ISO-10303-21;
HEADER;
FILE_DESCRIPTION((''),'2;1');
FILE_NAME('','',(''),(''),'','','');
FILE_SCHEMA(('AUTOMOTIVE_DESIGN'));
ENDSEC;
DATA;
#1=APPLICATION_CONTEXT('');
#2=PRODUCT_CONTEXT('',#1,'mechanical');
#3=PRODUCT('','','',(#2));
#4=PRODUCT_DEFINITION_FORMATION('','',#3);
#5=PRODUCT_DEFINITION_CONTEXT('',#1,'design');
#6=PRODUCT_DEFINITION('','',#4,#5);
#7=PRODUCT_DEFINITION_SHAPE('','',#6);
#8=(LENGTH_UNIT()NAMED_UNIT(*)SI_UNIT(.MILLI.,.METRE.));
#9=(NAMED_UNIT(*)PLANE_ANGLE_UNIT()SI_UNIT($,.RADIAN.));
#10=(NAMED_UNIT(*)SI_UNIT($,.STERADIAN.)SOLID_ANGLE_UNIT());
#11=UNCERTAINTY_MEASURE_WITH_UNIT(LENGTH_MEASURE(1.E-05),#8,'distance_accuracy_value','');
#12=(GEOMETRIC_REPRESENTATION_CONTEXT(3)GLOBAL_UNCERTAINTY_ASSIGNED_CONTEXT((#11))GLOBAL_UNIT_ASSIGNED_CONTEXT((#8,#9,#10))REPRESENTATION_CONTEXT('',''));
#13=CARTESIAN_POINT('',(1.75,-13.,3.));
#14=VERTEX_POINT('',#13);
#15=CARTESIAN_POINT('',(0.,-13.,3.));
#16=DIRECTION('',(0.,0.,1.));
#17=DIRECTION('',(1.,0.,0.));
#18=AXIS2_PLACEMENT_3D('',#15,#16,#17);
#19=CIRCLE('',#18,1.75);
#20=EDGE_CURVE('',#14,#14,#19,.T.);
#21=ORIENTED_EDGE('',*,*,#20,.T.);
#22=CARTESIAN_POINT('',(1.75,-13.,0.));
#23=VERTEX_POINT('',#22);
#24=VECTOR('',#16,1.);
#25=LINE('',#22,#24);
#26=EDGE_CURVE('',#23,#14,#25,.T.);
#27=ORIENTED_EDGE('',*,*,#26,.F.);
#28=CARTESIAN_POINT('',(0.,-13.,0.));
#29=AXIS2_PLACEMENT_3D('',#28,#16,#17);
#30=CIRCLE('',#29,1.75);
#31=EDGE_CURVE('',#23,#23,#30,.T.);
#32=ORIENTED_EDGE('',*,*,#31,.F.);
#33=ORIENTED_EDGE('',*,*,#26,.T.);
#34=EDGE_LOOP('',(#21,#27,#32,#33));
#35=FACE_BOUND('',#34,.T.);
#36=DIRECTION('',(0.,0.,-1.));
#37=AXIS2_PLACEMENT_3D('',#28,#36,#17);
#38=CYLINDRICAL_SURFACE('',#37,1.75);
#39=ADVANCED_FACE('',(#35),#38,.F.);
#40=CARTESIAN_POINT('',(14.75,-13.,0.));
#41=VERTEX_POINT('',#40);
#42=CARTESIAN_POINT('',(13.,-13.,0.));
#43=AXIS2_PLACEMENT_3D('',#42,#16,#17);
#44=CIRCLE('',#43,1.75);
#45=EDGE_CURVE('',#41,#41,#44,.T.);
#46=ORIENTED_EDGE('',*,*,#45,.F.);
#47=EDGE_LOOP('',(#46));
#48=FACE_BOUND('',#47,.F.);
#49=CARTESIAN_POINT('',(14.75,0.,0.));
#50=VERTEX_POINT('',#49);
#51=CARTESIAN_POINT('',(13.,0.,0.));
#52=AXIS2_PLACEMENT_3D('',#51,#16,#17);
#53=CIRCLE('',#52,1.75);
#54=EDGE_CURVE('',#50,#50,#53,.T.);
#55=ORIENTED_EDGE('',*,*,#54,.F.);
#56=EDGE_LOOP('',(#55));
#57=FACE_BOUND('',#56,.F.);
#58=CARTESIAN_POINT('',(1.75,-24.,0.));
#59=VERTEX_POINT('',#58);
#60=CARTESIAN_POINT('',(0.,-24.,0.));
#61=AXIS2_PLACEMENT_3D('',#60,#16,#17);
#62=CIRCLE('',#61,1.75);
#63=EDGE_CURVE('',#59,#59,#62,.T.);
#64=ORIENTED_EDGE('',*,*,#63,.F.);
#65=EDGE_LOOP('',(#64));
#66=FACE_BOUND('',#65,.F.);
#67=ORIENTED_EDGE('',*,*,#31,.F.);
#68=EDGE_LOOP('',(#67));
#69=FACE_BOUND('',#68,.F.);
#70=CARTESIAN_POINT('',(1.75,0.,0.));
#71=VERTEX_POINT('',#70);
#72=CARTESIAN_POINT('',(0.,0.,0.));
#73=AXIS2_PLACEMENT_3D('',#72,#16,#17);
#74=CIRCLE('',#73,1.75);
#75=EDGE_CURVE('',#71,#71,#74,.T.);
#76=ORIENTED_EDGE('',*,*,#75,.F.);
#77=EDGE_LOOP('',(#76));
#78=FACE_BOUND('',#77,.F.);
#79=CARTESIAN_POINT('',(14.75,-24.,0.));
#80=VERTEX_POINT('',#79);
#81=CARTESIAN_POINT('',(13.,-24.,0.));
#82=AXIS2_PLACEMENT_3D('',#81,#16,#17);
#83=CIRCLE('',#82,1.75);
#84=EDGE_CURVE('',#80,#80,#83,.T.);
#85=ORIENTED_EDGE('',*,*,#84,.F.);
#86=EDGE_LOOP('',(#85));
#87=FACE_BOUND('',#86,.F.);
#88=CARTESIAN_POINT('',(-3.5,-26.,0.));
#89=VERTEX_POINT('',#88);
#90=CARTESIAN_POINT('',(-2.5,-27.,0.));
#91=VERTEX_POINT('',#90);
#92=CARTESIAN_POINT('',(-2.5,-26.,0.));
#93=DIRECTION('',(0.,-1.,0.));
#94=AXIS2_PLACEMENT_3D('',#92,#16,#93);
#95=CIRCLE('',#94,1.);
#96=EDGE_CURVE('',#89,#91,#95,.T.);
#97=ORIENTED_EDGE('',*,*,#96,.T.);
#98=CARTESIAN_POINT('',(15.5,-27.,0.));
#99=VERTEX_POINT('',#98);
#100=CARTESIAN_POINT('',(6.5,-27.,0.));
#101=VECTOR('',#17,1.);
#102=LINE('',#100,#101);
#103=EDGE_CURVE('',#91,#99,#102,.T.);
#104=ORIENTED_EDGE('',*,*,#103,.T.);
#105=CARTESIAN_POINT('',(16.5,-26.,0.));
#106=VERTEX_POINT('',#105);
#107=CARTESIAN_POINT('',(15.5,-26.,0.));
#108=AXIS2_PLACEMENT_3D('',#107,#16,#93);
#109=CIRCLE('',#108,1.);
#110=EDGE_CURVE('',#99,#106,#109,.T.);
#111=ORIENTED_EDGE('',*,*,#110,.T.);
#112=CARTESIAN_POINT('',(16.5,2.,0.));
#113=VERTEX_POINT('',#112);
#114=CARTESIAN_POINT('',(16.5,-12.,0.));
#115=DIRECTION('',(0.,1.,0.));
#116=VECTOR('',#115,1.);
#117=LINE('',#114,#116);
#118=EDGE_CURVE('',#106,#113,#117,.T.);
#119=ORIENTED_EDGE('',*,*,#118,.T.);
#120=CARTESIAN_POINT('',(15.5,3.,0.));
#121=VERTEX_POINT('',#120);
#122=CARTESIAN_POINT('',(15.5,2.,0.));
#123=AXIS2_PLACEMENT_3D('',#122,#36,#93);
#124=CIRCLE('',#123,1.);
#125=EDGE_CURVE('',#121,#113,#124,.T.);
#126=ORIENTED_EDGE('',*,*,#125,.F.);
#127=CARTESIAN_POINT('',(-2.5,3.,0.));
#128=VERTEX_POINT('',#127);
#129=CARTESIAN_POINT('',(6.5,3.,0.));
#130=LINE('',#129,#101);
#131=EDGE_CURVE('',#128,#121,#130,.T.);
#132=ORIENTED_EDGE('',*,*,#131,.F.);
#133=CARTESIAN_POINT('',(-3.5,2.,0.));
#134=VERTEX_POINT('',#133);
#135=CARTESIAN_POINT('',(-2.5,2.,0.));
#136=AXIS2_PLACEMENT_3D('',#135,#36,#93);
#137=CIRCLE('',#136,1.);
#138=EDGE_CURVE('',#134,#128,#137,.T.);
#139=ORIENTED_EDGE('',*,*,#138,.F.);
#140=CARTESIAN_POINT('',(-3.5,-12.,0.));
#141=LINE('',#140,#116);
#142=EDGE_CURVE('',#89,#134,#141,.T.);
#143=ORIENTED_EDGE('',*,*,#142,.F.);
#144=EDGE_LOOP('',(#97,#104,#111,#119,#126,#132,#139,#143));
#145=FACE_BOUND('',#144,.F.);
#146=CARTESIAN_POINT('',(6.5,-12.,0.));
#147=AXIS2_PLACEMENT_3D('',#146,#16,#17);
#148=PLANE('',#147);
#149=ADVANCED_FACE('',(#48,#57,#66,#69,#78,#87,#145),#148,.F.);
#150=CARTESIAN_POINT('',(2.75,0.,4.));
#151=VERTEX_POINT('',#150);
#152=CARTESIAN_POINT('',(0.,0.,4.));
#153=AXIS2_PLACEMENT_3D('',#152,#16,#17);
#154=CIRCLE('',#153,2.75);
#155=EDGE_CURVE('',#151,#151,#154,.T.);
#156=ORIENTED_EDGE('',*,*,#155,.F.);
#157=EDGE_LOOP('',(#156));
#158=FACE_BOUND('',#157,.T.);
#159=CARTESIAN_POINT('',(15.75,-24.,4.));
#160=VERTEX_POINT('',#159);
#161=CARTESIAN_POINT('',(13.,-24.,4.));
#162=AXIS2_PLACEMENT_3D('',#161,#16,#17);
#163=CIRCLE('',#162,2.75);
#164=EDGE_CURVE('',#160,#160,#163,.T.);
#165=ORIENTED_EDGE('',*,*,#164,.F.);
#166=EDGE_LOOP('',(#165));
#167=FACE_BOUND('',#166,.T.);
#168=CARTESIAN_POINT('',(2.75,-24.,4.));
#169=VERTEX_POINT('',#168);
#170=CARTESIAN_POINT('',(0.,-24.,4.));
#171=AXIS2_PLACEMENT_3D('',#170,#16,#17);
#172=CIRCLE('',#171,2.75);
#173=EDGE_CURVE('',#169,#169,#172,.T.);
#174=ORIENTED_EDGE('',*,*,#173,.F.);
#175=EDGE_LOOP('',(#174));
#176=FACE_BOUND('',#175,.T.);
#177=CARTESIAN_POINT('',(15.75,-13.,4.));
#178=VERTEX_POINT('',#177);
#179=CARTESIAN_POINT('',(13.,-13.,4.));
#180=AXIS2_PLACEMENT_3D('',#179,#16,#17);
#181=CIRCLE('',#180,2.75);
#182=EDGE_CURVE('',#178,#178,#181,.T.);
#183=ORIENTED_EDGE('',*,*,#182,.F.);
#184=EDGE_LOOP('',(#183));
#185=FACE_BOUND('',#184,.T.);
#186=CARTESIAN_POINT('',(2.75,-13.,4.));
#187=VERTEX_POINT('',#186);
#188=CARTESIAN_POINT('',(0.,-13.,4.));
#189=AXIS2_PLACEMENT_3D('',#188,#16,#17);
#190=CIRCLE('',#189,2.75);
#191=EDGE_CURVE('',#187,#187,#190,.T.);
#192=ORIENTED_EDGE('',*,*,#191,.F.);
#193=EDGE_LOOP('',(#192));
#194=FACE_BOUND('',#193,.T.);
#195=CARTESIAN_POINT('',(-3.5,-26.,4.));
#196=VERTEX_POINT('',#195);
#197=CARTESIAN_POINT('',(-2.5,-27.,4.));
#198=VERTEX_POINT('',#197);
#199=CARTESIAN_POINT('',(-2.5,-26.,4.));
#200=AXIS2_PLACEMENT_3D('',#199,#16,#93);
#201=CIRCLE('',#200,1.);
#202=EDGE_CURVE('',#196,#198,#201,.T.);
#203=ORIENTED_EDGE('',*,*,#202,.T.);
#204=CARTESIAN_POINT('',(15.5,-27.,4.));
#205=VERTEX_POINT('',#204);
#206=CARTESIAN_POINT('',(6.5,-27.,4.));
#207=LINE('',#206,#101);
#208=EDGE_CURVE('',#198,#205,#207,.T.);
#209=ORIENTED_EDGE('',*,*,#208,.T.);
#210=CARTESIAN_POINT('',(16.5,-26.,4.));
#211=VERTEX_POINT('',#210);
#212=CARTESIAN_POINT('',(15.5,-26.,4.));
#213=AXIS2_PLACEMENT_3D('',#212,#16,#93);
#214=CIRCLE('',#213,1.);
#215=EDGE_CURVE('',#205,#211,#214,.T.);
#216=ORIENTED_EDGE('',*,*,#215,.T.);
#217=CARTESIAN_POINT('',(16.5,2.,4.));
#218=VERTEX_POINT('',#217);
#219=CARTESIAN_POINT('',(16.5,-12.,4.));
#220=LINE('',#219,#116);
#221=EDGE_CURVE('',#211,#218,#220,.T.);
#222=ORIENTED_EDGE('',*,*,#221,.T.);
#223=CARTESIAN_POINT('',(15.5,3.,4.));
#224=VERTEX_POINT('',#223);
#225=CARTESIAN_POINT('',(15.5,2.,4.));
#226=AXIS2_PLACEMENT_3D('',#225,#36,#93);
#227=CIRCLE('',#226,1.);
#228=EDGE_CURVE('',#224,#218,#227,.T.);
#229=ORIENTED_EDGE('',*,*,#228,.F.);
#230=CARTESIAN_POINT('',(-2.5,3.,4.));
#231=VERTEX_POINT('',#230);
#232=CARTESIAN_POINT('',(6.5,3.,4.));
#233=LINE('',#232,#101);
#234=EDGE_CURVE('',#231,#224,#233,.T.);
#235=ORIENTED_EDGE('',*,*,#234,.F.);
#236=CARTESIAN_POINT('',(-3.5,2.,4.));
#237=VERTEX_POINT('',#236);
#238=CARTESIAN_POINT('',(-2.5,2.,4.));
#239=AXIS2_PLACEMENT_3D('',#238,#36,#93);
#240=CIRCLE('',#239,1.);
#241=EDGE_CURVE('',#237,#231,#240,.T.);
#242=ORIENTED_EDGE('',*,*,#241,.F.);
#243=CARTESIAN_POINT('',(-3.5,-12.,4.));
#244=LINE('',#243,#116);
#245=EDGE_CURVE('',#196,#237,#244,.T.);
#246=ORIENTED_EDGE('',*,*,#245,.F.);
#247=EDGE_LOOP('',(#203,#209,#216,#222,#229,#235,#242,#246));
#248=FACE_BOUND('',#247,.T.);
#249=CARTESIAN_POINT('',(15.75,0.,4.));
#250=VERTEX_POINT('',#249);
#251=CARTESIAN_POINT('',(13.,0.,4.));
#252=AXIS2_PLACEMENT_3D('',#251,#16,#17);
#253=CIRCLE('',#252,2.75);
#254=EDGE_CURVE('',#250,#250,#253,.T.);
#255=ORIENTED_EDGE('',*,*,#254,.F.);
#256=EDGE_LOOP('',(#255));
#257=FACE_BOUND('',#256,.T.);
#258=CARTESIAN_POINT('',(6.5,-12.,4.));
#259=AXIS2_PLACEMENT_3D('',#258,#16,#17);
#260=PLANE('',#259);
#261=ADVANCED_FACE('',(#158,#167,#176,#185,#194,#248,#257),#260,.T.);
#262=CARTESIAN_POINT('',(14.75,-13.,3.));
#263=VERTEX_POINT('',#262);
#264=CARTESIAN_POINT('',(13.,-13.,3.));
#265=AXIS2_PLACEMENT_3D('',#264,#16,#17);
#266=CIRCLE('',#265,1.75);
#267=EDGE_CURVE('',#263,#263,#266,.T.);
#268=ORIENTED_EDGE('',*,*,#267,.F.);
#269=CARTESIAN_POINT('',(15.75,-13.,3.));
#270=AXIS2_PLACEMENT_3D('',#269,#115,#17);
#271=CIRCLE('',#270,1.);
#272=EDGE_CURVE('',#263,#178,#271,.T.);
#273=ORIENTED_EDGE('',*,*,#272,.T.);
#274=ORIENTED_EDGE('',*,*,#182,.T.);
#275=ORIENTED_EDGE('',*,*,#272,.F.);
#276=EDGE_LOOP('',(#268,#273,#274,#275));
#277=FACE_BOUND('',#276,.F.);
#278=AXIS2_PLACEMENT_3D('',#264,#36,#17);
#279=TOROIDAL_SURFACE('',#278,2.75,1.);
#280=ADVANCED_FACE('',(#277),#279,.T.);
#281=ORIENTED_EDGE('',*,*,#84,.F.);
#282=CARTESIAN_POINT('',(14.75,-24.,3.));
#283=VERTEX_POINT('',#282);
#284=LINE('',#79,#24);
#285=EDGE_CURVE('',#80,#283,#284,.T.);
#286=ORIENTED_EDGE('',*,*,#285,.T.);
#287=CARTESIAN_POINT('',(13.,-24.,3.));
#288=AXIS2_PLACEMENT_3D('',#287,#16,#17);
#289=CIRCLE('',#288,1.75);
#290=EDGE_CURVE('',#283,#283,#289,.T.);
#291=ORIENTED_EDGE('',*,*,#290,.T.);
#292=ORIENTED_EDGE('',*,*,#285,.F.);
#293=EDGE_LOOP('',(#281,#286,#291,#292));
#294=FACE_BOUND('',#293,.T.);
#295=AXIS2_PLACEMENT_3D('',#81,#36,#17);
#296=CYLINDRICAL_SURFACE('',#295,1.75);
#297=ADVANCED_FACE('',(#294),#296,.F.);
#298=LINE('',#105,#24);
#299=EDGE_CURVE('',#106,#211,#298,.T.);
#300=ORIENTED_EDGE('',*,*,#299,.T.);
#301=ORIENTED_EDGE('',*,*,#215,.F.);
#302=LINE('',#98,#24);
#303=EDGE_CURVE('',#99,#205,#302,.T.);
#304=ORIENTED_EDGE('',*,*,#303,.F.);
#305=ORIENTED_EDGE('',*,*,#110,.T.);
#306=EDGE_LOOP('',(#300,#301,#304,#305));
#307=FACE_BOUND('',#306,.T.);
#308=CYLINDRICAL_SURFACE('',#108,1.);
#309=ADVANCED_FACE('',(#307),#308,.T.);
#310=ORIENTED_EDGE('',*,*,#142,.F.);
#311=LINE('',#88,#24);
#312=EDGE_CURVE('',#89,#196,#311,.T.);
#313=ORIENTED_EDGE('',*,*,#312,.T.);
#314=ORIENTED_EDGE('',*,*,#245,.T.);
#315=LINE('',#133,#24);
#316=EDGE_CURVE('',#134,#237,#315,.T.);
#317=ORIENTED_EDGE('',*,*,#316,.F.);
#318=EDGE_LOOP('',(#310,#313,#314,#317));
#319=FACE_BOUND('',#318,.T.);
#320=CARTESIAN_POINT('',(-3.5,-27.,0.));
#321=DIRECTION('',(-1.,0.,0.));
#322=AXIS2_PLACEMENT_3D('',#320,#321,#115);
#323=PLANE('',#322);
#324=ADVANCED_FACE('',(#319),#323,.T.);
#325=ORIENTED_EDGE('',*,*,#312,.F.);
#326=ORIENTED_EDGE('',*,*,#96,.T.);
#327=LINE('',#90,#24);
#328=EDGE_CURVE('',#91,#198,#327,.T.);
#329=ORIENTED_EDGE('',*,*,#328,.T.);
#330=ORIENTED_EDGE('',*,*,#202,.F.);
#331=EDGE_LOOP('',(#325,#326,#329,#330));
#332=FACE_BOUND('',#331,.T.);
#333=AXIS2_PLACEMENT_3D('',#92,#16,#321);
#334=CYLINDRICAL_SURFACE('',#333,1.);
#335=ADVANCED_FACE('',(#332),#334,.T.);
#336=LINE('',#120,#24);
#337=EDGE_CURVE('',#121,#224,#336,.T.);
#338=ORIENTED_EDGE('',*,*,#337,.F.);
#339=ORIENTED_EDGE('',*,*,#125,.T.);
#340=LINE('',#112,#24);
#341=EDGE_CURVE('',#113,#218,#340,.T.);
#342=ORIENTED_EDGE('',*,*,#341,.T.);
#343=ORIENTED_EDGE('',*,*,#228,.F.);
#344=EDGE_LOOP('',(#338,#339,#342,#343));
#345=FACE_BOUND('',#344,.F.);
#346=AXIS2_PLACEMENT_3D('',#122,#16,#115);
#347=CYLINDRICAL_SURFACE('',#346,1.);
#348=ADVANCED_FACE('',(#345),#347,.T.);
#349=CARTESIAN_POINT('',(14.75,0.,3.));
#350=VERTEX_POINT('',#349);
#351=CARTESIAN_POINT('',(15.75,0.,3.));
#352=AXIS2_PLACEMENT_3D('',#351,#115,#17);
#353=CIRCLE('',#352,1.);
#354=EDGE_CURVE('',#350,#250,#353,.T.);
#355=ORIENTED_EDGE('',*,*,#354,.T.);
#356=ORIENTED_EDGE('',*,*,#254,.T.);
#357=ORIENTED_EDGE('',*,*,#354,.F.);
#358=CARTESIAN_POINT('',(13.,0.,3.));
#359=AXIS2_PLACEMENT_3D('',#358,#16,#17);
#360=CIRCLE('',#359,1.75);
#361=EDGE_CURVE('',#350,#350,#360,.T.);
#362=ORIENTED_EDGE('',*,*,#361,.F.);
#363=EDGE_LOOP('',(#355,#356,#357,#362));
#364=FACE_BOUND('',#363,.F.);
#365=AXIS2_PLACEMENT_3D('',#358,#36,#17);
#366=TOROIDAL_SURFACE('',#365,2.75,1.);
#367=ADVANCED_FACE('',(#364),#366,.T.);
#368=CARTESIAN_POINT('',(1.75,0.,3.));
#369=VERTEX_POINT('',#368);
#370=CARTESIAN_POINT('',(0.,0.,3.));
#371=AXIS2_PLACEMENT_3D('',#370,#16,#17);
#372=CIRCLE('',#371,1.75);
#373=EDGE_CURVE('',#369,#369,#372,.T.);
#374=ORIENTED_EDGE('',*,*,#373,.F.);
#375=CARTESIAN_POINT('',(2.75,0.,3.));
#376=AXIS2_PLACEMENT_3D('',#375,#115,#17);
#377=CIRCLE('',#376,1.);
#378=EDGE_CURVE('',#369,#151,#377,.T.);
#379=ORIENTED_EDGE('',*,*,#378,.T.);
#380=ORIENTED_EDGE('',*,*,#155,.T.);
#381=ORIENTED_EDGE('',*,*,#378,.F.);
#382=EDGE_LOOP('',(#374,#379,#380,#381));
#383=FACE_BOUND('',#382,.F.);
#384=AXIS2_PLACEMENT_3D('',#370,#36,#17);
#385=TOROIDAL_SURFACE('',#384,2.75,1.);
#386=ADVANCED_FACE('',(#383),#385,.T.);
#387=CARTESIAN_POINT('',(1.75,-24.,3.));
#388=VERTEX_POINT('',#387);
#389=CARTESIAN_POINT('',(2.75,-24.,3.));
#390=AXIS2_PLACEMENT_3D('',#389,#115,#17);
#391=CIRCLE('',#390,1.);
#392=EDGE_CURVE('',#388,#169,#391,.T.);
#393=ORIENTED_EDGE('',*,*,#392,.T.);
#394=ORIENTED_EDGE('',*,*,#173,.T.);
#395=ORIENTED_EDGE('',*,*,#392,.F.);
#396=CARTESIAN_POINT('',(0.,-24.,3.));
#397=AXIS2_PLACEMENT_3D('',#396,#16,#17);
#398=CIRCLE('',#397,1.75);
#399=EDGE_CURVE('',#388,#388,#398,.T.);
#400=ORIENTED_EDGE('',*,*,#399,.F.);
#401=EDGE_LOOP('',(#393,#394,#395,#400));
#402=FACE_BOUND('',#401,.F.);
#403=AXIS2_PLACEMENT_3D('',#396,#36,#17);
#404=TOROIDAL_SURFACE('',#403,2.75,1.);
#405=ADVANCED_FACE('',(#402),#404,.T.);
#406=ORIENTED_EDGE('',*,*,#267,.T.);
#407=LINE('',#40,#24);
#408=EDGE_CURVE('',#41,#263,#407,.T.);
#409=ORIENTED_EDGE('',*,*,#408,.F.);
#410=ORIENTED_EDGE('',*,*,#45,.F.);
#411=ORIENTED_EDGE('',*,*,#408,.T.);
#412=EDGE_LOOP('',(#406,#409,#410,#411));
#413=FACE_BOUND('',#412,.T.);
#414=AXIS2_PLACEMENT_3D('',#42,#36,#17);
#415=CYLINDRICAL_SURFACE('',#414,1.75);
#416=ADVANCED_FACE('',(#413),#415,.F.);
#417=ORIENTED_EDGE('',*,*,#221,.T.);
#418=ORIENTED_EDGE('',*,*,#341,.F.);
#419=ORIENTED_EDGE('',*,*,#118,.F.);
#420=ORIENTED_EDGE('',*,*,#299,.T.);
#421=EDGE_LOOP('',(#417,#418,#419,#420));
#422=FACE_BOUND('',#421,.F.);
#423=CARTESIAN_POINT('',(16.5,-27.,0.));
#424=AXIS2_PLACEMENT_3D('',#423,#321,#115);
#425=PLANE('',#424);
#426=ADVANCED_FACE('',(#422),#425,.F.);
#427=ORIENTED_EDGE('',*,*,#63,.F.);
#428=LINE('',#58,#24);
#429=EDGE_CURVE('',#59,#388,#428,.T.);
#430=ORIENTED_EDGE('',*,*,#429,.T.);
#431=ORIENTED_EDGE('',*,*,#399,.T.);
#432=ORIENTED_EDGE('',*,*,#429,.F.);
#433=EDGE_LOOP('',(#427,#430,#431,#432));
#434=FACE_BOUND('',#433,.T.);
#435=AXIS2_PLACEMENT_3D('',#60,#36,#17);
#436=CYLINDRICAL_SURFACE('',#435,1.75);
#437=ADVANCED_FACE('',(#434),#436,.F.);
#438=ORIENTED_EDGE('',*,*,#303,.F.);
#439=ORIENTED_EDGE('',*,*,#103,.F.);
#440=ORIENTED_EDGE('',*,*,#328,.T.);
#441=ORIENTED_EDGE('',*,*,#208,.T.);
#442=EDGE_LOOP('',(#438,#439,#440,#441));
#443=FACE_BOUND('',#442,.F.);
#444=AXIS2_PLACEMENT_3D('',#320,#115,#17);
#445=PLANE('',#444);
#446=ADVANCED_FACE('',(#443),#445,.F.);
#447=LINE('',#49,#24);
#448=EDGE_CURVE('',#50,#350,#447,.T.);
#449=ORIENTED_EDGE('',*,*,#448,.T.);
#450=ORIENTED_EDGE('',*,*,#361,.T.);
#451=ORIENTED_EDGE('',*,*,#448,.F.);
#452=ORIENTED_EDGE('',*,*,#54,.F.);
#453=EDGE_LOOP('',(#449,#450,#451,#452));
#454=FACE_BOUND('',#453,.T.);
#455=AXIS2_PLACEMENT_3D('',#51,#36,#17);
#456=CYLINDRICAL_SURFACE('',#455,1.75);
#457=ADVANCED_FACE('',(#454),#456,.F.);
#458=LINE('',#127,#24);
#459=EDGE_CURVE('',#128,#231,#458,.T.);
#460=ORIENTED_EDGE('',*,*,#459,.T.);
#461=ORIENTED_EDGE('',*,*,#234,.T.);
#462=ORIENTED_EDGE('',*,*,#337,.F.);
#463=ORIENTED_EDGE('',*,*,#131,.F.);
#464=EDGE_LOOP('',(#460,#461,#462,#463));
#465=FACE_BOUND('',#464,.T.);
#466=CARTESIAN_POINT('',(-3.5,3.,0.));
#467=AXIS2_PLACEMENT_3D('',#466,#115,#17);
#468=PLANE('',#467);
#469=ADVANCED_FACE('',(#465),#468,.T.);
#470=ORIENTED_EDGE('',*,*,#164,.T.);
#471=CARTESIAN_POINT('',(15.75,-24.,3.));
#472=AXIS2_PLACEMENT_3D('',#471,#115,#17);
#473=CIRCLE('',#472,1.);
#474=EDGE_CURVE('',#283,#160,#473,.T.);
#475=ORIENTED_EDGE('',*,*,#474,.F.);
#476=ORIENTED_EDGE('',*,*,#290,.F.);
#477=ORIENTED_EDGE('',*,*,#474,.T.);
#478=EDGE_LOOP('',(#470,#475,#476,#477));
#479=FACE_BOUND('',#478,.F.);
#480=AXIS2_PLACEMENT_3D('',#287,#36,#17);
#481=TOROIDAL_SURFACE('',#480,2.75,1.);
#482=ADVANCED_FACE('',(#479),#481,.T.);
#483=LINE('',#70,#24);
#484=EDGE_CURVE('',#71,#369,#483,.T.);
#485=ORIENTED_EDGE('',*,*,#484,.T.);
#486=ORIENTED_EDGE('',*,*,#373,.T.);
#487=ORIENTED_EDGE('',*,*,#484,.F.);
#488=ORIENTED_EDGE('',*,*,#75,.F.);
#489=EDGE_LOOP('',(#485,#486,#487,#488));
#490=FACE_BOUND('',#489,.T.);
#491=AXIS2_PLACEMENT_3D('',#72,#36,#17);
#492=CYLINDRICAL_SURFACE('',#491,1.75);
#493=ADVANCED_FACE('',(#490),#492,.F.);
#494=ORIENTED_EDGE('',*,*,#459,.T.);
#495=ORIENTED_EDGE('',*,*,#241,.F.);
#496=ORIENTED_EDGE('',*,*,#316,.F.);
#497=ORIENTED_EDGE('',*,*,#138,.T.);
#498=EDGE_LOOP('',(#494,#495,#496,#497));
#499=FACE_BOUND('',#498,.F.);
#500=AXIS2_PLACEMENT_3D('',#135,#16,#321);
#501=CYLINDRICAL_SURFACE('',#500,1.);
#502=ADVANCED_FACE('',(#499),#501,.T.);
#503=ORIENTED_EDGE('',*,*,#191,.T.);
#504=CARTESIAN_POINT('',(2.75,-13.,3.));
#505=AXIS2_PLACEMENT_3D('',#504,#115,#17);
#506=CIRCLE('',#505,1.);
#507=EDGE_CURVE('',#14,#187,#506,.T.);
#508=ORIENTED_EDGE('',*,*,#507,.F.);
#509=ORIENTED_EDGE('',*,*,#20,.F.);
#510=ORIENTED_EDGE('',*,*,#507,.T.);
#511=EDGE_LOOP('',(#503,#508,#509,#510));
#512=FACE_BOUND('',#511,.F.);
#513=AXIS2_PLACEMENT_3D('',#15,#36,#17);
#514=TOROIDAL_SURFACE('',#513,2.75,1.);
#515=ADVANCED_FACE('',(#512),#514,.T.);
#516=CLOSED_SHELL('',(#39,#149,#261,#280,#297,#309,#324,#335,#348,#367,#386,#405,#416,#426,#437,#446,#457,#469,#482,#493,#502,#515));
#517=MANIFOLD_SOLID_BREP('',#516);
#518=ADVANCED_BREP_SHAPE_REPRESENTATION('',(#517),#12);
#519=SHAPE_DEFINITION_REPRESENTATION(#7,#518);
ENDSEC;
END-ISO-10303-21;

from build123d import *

# Parameters (mm, degrees)
F0_W     = 20
F0_H     = 30
F0_R     = 1.75
F1_DEPTH = 4
F2_R     = 1
F3_R     = 1


with BuildPart() as f1:
    # F0 (on Top) → F1 (new body)
    with BuildSketch(Plane.XY):
        with Locations((6.5, -12)):
            Rectangle(F0_W, F0_H)
        with Locations((0, -24)):
            Circle(F0_R, mode=Mode.SUBTRACT)
        with Locations((0, -13)):
            Circle(F0_R, mode=Mode.SUBTRACT)
        with Locations((13, -24)):
            Circle(F0_R, mode=Mode.SUBTRACT)
        with Locations((13, -13)):
            Circle(F0_R, mode=Mode.SUBTRACT)
        Circle(F0_R, mode=Mode.SUBTRACT)
        with Locations((13, 0)):
            Circle(F0_R, mode=Mode.SUBTRACT)
    extrude(amount=F1_DEPTH)

    # F2
    f2_edges = [f1.edges().sort_by_distance(p)[0] for p in [
        (-1.75, 0, 4),
        (11.25, 0, 4),
        (11.25, -13, 4),
        (-1.75, -13, 4),
        (-1.75, -24, 4),
        (11.25, -24, 4),
    ]]
    fillet(f2_edges, radius=F2_R)

    # F3
    f3_edges = [f1.edges().sort_by_distance(p)[0] for p in [
        (-3.5, 3, 2),
        (-3.5, -27, 2),
        (16.5, -27, 2),
        (16.5, 3, 2),
    ]]
    fillet(f3_edges, radius=F3_R)


solid = f1.part
